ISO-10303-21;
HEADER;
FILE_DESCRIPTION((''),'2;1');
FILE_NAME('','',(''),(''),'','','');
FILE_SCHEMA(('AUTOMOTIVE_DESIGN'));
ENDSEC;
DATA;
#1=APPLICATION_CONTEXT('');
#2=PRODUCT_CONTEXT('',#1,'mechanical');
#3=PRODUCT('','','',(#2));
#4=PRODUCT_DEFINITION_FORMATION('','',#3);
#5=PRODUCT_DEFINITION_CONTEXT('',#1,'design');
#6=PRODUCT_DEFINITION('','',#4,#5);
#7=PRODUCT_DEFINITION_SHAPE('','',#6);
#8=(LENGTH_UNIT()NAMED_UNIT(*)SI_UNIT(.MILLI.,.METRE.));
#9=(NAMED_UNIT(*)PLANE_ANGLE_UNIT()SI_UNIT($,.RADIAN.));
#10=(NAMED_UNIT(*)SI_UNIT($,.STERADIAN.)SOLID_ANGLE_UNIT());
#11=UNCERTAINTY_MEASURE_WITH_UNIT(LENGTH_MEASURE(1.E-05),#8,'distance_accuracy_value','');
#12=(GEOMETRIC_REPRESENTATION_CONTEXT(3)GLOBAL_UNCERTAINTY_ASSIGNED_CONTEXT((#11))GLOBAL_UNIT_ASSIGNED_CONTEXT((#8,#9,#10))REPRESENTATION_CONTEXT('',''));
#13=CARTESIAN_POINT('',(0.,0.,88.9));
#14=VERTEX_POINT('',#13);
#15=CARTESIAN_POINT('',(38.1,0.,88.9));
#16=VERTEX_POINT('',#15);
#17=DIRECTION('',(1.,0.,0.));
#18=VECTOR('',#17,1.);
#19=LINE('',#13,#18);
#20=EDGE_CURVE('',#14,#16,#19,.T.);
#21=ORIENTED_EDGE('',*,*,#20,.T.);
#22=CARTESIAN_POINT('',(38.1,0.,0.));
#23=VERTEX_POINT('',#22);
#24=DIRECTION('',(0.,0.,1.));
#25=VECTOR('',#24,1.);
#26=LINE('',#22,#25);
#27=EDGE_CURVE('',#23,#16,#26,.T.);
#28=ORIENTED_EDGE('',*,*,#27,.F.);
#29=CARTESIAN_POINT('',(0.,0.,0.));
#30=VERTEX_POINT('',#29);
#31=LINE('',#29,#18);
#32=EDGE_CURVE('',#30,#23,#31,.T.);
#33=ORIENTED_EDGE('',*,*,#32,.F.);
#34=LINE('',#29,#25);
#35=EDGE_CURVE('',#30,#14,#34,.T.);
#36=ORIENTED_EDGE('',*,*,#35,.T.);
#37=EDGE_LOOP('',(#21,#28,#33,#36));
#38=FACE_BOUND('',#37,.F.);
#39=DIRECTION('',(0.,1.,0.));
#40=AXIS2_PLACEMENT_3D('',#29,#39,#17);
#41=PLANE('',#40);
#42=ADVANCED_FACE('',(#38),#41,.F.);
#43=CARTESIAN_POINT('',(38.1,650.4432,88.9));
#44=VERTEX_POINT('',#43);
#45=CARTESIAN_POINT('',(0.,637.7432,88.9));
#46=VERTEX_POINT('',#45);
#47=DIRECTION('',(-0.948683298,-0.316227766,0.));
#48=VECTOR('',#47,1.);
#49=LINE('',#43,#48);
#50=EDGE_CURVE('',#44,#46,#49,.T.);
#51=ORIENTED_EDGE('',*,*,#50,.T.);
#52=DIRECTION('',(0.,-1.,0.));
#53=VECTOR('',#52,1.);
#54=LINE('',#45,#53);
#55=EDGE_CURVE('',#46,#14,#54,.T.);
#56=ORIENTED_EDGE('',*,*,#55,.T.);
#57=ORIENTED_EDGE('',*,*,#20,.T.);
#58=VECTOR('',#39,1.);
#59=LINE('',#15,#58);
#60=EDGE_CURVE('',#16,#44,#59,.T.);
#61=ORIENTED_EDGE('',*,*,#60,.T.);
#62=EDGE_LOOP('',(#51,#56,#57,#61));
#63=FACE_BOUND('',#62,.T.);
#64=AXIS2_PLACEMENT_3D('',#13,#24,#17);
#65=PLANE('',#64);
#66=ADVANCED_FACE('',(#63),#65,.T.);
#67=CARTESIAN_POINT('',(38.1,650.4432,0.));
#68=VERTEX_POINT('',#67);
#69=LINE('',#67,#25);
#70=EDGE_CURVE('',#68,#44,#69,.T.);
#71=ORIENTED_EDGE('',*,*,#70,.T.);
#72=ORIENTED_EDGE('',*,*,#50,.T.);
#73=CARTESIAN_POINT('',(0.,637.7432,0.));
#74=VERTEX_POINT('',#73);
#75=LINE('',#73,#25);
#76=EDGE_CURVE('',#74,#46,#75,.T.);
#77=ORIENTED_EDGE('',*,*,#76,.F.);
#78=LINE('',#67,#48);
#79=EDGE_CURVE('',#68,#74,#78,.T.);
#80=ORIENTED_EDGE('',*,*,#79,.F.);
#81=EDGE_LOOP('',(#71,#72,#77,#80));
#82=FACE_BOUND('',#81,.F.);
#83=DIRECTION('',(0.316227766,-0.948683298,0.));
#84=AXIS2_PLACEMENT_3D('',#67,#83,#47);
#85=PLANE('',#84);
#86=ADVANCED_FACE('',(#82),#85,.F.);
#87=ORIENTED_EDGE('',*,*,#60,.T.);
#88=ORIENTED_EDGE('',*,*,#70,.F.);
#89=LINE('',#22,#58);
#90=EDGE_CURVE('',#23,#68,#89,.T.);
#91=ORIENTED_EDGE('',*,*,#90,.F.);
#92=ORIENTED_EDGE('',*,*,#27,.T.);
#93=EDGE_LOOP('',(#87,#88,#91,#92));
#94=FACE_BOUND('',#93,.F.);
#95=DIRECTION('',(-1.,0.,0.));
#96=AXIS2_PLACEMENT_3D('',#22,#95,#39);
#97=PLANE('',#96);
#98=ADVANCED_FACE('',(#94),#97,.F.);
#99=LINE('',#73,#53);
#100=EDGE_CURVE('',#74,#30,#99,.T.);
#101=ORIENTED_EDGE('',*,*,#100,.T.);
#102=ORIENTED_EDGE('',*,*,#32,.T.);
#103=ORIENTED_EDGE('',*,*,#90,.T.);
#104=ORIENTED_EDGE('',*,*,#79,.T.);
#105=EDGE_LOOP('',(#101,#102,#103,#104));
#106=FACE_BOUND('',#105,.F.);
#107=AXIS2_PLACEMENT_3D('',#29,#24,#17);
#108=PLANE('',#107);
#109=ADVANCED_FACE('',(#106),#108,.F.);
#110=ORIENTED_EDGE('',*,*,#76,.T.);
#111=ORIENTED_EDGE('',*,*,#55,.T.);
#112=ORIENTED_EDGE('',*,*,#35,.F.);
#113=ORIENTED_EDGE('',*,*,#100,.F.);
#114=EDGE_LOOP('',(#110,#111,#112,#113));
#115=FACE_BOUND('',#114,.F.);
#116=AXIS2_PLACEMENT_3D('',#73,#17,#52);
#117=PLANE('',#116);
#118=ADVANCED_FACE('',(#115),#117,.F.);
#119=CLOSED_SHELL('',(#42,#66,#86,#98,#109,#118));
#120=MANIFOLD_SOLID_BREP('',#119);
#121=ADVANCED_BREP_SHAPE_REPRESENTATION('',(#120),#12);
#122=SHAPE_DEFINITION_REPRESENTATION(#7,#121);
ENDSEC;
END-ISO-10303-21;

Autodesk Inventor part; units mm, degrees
ref_plane "YZ Plane" through (0, 0, 0) normal (1, 0, 0) x (0, 1, 0)
ref_plane "XZ Plane" through (0, 0, 0) normal (0, 1, 0) x (-1, 0, 0)
ref_plane "XY Plane" through (0, 0, 0) normal (0, 0, 1) x (1, 0, 0)
sketch "Sketch1" plane through (0, 0, 0) normal (0, 0, 1) x (1, 0, 0)
  line L0 (0, 0) -> (38.1, 0)
  line L1 (38.1, 0) -> (38.1, 650.4432)
  line L2 (38.1, 650.4432) -> (0, 637.7432)
  line L3 (0, 637.7432) -> (0, 0)
  dimension "d2" = 38.1
  dimension "d5" = 637.7432
  dimension "d6" = 650.4432
extrude "Extrusion1" add sketch "Sketch1" along normal blind 88.9
properties part number "Stud_Between_Top_Plate_And_Rafter_5" material "Wood (Birch)"
